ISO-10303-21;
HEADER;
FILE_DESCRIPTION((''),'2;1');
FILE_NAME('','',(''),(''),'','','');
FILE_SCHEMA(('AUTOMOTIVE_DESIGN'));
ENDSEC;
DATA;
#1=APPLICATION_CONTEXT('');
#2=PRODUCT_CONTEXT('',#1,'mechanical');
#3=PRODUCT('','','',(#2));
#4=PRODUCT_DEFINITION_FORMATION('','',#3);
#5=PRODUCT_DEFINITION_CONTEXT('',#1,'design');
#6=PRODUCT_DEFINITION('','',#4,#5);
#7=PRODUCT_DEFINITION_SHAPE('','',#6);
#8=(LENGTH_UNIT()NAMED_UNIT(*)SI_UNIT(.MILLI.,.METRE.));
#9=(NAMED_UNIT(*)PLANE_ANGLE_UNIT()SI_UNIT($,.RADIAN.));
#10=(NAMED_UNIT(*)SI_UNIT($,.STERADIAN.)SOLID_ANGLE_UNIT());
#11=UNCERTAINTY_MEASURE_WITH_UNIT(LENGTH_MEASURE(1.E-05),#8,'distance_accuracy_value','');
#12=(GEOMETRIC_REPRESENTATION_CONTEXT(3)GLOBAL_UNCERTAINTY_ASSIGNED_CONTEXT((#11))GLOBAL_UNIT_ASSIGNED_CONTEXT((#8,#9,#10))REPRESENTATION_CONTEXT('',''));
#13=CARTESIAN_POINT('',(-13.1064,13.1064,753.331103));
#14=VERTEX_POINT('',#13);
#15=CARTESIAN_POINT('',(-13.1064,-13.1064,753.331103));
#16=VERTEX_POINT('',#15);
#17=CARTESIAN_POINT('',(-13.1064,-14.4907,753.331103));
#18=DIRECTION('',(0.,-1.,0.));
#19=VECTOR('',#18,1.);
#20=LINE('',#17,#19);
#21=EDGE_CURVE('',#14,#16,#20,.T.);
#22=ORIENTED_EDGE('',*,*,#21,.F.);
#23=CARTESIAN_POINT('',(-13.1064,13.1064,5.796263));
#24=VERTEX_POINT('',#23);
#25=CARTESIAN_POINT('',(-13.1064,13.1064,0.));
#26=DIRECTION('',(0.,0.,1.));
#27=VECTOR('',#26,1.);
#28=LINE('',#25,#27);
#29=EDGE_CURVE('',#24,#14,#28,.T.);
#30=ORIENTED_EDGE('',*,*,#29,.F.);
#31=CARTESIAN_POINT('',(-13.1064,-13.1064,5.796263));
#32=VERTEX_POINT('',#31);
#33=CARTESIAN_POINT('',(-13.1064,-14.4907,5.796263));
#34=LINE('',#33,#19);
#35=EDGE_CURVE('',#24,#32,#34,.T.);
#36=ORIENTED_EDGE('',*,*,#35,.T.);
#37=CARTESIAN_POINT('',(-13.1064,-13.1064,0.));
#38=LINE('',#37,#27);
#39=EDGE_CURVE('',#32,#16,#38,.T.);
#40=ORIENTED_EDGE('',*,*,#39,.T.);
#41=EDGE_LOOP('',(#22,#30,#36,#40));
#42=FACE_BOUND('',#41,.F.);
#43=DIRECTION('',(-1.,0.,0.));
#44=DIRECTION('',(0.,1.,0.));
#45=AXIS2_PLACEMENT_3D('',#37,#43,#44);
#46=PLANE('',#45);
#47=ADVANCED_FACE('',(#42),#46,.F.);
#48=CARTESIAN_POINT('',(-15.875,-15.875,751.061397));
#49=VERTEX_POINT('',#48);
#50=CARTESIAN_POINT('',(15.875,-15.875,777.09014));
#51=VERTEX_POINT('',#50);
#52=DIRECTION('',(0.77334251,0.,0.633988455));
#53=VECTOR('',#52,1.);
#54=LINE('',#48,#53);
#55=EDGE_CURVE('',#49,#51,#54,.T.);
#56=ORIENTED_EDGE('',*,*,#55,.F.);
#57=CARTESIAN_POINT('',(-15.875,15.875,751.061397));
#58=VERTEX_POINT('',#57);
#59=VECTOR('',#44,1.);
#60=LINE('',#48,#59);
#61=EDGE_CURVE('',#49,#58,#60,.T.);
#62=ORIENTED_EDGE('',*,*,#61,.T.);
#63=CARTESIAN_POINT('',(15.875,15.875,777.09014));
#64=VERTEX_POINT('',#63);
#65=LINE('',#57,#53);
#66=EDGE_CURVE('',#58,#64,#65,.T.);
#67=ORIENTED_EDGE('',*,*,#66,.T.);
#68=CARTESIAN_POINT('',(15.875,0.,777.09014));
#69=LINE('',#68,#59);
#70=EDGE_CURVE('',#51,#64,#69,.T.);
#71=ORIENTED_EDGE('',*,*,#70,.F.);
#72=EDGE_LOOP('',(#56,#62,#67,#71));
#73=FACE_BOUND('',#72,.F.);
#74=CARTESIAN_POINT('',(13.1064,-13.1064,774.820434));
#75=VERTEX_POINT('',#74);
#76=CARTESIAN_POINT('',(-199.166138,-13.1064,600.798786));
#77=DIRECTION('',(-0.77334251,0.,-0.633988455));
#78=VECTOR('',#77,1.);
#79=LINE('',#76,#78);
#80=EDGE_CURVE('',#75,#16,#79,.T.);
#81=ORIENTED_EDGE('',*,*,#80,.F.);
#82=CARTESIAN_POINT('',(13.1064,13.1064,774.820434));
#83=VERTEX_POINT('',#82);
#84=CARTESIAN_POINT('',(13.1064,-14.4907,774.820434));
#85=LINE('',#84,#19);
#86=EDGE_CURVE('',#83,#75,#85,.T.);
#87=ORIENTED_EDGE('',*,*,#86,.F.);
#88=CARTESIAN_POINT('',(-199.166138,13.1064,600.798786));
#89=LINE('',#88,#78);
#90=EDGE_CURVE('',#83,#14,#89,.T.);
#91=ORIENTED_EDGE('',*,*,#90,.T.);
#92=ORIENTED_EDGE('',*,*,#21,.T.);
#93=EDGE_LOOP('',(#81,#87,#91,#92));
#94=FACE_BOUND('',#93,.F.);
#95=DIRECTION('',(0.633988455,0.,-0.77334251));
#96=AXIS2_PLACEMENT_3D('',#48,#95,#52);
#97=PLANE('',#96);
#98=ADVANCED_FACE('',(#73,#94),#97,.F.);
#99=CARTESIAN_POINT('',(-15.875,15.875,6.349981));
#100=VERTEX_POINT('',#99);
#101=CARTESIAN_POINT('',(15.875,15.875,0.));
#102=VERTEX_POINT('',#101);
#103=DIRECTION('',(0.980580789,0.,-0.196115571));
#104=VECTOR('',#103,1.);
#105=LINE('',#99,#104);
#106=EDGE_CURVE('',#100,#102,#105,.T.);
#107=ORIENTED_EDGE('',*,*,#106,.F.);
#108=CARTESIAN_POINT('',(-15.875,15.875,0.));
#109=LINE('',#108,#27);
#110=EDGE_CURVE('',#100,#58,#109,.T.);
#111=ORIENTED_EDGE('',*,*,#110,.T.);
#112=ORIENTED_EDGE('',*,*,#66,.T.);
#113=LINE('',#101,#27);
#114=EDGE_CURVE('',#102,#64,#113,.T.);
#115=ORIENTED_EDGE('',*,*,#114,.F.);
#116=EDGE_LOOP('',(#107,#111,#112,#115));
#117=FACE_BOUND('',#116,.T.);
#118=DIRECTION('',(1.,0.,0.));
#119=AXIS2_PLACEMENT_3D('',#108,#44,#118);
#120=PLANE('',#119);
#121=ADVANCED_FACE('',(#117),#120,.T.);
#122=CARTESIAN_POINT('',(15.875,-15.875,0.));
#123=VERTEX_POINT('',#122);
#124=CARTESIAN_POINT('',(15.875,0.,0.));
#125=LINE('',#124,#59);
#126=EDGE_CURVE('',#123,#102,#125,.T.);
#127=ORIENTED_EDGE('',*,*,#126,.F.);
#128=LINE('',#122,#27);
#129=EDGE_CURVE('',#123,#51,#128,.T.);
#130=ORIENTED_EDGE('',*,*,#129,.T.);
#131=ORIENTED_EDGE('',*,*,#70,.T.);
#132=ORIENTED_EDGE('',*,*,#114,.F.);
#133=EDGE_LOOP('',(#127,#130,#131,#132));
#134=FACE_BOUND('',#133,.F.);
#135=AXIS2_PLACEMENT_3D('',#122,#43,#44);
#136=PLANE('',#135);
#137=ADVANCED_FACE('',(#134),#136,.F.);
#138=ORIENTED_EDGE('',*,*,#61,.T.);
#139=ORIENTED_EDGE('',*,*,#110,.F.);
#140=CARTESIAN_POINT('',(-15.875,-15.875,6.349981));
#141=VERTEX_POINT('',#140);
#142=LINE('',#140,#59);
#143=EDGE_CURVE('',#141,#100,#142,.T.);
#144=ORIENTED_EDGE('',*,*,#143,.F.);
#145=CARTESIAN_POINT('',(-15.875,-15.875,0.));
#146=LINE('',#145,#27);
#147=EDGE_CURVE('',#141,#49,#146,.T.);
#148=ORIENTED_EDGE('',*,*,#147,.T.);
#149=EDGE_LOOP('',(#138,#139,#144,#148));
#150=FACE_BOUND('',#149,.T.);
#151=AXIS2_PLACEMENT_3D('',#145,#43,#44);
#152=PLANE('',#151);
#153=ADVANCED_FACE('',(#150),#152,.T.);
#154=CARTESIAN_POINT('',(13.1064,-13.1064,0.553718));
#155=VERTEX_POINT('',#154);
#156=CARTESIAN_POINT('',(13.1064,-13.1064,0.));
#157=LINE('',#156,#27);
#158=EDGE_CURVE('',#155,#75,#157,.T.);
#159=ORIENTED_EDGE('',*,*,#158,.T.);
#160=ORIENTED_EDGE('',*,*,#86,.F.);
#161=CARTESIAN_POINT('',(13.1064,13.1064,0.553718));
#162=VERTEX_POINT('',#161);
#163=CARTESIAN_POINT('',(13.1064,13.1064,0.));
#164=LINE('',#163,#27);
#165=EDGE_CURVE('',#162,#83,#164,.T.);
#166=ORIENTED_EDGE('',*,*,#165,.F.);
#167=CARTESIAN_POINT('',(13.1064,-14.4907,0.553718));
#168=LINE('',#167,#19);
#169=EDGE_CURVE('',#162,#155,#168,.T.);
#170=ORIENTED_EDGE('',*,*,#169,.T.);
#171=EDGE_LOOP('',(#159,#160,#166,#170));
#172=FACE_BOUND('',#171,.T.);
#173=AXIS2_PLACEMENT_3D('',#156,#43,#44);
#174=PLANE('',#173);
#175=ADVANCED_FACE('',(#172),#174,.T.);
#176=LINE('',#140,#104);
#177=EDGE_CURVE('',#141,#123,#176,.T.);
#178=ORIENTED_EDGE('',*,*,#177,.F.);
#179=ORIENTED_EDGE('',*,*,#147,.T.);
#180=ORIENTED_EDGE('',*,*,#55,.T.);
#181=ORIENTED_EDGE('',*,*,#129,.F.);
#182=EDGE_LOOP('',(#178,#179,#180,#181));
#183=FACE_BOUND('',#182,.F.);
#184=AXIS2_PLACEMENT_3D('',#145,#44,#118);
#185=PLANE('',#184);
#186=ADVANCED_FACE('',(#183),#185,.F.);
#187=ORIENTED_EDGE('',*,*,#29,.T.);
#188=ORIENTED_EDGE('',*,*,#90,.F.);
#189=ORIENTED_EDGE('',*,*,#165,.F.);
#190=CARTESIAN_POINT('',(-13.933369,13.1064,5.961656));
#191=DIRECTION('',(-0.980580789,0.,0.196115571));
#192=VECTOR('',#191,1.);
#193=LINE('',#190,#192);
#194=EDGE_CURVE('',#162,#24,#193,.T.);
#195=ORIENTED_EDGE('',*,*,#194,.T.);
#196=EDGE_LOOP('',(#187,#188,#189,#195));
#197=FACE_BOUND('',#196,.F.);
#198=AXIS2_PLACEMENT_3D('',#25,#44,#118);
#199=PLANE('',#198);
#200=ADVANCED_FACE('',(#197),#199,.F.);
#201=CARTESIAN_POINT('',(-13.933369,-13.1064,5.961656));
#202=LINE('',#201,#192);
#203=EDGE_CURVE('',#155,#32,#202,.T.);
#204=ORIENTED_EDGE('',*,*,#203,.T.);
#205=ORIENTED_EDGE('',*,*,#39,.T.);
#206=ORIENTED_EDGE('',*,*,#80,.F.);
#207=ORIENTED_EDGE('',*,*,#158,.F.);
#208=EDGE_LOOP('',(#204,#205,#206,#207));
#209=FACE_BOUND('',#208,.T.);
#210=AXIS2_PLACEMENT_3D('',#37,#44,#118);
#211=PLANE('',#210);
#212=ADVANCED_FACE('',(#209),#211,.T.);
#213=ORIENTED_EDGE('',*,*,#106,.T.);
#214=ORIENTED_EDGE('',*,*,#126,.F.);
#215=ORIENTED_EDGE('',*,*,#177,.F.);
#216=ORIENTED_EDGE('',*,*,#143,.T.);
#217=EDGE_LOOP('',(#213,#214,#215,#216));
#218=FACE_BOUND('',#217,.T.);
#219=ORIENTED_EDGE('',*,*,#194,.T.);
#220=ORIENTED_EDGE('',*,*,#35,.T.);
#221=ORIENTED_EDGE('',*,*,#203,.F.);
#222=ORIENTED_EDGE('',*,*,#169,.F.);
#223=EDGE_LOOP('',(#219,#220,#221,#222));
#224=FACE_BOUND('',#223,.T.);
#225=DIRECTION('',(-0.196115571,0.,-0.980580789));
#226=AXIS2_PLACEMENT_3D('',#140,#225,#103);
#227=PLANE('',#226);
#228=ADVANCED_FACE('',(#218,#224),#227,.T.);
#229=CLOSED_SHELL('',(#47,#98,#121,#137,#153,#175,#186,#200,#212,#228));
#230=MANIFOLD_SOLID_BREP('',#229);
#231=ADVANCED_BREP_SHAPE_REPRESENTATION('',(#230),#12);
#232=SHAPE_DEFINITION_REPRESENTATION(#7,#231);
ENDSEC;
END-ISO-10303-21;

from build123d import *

# Parameters (mm, degrees)
SKETCH_W        = 31.75
SKETCH_H        = 31.75
SKETCH_W_2      = 26.2128
SKETCH_H_2      = 26.2128
PAD_DEPTH       = 777.09014
POCKET_DEPTH    = 31.75
POCKET001_DEPTH = 31.75


with BuildPart() as part:
    # Sketch → Pad (new body)
    with BuildSketch(Plane.XY):
        Rectangle(SKETCH_W, SKETCH_H)
        Rectangle(SKETCH_W_2, SKETCH_H_2, mode=Mode.SUBTRACT)
    extrude(amount=PAD_DEPTH)

    # Sketch001 → Pocket (cut)
    with BuildSketch(Plane.XZ.offset(15.875)):
        Polygon((15.875, 0), (-15.875, 0), (-15.875, 6.349981), align=None)
    extrude(amount=-POCKET_DEPTH, mode=Mode.SUBTRACT)

    # Sketch002 → Pocket001 (cut)
    with BuildSketch(Plane.XZ.offset(15.875)):
        Polygon((15.875, 777.09014), (-15.875, 777.09014), (-15.875, 751.061397), align=None)
    extrude(amount=-POCKET001_DEPTH, mode=Mode.SUBTRACT)


solid = part.part
